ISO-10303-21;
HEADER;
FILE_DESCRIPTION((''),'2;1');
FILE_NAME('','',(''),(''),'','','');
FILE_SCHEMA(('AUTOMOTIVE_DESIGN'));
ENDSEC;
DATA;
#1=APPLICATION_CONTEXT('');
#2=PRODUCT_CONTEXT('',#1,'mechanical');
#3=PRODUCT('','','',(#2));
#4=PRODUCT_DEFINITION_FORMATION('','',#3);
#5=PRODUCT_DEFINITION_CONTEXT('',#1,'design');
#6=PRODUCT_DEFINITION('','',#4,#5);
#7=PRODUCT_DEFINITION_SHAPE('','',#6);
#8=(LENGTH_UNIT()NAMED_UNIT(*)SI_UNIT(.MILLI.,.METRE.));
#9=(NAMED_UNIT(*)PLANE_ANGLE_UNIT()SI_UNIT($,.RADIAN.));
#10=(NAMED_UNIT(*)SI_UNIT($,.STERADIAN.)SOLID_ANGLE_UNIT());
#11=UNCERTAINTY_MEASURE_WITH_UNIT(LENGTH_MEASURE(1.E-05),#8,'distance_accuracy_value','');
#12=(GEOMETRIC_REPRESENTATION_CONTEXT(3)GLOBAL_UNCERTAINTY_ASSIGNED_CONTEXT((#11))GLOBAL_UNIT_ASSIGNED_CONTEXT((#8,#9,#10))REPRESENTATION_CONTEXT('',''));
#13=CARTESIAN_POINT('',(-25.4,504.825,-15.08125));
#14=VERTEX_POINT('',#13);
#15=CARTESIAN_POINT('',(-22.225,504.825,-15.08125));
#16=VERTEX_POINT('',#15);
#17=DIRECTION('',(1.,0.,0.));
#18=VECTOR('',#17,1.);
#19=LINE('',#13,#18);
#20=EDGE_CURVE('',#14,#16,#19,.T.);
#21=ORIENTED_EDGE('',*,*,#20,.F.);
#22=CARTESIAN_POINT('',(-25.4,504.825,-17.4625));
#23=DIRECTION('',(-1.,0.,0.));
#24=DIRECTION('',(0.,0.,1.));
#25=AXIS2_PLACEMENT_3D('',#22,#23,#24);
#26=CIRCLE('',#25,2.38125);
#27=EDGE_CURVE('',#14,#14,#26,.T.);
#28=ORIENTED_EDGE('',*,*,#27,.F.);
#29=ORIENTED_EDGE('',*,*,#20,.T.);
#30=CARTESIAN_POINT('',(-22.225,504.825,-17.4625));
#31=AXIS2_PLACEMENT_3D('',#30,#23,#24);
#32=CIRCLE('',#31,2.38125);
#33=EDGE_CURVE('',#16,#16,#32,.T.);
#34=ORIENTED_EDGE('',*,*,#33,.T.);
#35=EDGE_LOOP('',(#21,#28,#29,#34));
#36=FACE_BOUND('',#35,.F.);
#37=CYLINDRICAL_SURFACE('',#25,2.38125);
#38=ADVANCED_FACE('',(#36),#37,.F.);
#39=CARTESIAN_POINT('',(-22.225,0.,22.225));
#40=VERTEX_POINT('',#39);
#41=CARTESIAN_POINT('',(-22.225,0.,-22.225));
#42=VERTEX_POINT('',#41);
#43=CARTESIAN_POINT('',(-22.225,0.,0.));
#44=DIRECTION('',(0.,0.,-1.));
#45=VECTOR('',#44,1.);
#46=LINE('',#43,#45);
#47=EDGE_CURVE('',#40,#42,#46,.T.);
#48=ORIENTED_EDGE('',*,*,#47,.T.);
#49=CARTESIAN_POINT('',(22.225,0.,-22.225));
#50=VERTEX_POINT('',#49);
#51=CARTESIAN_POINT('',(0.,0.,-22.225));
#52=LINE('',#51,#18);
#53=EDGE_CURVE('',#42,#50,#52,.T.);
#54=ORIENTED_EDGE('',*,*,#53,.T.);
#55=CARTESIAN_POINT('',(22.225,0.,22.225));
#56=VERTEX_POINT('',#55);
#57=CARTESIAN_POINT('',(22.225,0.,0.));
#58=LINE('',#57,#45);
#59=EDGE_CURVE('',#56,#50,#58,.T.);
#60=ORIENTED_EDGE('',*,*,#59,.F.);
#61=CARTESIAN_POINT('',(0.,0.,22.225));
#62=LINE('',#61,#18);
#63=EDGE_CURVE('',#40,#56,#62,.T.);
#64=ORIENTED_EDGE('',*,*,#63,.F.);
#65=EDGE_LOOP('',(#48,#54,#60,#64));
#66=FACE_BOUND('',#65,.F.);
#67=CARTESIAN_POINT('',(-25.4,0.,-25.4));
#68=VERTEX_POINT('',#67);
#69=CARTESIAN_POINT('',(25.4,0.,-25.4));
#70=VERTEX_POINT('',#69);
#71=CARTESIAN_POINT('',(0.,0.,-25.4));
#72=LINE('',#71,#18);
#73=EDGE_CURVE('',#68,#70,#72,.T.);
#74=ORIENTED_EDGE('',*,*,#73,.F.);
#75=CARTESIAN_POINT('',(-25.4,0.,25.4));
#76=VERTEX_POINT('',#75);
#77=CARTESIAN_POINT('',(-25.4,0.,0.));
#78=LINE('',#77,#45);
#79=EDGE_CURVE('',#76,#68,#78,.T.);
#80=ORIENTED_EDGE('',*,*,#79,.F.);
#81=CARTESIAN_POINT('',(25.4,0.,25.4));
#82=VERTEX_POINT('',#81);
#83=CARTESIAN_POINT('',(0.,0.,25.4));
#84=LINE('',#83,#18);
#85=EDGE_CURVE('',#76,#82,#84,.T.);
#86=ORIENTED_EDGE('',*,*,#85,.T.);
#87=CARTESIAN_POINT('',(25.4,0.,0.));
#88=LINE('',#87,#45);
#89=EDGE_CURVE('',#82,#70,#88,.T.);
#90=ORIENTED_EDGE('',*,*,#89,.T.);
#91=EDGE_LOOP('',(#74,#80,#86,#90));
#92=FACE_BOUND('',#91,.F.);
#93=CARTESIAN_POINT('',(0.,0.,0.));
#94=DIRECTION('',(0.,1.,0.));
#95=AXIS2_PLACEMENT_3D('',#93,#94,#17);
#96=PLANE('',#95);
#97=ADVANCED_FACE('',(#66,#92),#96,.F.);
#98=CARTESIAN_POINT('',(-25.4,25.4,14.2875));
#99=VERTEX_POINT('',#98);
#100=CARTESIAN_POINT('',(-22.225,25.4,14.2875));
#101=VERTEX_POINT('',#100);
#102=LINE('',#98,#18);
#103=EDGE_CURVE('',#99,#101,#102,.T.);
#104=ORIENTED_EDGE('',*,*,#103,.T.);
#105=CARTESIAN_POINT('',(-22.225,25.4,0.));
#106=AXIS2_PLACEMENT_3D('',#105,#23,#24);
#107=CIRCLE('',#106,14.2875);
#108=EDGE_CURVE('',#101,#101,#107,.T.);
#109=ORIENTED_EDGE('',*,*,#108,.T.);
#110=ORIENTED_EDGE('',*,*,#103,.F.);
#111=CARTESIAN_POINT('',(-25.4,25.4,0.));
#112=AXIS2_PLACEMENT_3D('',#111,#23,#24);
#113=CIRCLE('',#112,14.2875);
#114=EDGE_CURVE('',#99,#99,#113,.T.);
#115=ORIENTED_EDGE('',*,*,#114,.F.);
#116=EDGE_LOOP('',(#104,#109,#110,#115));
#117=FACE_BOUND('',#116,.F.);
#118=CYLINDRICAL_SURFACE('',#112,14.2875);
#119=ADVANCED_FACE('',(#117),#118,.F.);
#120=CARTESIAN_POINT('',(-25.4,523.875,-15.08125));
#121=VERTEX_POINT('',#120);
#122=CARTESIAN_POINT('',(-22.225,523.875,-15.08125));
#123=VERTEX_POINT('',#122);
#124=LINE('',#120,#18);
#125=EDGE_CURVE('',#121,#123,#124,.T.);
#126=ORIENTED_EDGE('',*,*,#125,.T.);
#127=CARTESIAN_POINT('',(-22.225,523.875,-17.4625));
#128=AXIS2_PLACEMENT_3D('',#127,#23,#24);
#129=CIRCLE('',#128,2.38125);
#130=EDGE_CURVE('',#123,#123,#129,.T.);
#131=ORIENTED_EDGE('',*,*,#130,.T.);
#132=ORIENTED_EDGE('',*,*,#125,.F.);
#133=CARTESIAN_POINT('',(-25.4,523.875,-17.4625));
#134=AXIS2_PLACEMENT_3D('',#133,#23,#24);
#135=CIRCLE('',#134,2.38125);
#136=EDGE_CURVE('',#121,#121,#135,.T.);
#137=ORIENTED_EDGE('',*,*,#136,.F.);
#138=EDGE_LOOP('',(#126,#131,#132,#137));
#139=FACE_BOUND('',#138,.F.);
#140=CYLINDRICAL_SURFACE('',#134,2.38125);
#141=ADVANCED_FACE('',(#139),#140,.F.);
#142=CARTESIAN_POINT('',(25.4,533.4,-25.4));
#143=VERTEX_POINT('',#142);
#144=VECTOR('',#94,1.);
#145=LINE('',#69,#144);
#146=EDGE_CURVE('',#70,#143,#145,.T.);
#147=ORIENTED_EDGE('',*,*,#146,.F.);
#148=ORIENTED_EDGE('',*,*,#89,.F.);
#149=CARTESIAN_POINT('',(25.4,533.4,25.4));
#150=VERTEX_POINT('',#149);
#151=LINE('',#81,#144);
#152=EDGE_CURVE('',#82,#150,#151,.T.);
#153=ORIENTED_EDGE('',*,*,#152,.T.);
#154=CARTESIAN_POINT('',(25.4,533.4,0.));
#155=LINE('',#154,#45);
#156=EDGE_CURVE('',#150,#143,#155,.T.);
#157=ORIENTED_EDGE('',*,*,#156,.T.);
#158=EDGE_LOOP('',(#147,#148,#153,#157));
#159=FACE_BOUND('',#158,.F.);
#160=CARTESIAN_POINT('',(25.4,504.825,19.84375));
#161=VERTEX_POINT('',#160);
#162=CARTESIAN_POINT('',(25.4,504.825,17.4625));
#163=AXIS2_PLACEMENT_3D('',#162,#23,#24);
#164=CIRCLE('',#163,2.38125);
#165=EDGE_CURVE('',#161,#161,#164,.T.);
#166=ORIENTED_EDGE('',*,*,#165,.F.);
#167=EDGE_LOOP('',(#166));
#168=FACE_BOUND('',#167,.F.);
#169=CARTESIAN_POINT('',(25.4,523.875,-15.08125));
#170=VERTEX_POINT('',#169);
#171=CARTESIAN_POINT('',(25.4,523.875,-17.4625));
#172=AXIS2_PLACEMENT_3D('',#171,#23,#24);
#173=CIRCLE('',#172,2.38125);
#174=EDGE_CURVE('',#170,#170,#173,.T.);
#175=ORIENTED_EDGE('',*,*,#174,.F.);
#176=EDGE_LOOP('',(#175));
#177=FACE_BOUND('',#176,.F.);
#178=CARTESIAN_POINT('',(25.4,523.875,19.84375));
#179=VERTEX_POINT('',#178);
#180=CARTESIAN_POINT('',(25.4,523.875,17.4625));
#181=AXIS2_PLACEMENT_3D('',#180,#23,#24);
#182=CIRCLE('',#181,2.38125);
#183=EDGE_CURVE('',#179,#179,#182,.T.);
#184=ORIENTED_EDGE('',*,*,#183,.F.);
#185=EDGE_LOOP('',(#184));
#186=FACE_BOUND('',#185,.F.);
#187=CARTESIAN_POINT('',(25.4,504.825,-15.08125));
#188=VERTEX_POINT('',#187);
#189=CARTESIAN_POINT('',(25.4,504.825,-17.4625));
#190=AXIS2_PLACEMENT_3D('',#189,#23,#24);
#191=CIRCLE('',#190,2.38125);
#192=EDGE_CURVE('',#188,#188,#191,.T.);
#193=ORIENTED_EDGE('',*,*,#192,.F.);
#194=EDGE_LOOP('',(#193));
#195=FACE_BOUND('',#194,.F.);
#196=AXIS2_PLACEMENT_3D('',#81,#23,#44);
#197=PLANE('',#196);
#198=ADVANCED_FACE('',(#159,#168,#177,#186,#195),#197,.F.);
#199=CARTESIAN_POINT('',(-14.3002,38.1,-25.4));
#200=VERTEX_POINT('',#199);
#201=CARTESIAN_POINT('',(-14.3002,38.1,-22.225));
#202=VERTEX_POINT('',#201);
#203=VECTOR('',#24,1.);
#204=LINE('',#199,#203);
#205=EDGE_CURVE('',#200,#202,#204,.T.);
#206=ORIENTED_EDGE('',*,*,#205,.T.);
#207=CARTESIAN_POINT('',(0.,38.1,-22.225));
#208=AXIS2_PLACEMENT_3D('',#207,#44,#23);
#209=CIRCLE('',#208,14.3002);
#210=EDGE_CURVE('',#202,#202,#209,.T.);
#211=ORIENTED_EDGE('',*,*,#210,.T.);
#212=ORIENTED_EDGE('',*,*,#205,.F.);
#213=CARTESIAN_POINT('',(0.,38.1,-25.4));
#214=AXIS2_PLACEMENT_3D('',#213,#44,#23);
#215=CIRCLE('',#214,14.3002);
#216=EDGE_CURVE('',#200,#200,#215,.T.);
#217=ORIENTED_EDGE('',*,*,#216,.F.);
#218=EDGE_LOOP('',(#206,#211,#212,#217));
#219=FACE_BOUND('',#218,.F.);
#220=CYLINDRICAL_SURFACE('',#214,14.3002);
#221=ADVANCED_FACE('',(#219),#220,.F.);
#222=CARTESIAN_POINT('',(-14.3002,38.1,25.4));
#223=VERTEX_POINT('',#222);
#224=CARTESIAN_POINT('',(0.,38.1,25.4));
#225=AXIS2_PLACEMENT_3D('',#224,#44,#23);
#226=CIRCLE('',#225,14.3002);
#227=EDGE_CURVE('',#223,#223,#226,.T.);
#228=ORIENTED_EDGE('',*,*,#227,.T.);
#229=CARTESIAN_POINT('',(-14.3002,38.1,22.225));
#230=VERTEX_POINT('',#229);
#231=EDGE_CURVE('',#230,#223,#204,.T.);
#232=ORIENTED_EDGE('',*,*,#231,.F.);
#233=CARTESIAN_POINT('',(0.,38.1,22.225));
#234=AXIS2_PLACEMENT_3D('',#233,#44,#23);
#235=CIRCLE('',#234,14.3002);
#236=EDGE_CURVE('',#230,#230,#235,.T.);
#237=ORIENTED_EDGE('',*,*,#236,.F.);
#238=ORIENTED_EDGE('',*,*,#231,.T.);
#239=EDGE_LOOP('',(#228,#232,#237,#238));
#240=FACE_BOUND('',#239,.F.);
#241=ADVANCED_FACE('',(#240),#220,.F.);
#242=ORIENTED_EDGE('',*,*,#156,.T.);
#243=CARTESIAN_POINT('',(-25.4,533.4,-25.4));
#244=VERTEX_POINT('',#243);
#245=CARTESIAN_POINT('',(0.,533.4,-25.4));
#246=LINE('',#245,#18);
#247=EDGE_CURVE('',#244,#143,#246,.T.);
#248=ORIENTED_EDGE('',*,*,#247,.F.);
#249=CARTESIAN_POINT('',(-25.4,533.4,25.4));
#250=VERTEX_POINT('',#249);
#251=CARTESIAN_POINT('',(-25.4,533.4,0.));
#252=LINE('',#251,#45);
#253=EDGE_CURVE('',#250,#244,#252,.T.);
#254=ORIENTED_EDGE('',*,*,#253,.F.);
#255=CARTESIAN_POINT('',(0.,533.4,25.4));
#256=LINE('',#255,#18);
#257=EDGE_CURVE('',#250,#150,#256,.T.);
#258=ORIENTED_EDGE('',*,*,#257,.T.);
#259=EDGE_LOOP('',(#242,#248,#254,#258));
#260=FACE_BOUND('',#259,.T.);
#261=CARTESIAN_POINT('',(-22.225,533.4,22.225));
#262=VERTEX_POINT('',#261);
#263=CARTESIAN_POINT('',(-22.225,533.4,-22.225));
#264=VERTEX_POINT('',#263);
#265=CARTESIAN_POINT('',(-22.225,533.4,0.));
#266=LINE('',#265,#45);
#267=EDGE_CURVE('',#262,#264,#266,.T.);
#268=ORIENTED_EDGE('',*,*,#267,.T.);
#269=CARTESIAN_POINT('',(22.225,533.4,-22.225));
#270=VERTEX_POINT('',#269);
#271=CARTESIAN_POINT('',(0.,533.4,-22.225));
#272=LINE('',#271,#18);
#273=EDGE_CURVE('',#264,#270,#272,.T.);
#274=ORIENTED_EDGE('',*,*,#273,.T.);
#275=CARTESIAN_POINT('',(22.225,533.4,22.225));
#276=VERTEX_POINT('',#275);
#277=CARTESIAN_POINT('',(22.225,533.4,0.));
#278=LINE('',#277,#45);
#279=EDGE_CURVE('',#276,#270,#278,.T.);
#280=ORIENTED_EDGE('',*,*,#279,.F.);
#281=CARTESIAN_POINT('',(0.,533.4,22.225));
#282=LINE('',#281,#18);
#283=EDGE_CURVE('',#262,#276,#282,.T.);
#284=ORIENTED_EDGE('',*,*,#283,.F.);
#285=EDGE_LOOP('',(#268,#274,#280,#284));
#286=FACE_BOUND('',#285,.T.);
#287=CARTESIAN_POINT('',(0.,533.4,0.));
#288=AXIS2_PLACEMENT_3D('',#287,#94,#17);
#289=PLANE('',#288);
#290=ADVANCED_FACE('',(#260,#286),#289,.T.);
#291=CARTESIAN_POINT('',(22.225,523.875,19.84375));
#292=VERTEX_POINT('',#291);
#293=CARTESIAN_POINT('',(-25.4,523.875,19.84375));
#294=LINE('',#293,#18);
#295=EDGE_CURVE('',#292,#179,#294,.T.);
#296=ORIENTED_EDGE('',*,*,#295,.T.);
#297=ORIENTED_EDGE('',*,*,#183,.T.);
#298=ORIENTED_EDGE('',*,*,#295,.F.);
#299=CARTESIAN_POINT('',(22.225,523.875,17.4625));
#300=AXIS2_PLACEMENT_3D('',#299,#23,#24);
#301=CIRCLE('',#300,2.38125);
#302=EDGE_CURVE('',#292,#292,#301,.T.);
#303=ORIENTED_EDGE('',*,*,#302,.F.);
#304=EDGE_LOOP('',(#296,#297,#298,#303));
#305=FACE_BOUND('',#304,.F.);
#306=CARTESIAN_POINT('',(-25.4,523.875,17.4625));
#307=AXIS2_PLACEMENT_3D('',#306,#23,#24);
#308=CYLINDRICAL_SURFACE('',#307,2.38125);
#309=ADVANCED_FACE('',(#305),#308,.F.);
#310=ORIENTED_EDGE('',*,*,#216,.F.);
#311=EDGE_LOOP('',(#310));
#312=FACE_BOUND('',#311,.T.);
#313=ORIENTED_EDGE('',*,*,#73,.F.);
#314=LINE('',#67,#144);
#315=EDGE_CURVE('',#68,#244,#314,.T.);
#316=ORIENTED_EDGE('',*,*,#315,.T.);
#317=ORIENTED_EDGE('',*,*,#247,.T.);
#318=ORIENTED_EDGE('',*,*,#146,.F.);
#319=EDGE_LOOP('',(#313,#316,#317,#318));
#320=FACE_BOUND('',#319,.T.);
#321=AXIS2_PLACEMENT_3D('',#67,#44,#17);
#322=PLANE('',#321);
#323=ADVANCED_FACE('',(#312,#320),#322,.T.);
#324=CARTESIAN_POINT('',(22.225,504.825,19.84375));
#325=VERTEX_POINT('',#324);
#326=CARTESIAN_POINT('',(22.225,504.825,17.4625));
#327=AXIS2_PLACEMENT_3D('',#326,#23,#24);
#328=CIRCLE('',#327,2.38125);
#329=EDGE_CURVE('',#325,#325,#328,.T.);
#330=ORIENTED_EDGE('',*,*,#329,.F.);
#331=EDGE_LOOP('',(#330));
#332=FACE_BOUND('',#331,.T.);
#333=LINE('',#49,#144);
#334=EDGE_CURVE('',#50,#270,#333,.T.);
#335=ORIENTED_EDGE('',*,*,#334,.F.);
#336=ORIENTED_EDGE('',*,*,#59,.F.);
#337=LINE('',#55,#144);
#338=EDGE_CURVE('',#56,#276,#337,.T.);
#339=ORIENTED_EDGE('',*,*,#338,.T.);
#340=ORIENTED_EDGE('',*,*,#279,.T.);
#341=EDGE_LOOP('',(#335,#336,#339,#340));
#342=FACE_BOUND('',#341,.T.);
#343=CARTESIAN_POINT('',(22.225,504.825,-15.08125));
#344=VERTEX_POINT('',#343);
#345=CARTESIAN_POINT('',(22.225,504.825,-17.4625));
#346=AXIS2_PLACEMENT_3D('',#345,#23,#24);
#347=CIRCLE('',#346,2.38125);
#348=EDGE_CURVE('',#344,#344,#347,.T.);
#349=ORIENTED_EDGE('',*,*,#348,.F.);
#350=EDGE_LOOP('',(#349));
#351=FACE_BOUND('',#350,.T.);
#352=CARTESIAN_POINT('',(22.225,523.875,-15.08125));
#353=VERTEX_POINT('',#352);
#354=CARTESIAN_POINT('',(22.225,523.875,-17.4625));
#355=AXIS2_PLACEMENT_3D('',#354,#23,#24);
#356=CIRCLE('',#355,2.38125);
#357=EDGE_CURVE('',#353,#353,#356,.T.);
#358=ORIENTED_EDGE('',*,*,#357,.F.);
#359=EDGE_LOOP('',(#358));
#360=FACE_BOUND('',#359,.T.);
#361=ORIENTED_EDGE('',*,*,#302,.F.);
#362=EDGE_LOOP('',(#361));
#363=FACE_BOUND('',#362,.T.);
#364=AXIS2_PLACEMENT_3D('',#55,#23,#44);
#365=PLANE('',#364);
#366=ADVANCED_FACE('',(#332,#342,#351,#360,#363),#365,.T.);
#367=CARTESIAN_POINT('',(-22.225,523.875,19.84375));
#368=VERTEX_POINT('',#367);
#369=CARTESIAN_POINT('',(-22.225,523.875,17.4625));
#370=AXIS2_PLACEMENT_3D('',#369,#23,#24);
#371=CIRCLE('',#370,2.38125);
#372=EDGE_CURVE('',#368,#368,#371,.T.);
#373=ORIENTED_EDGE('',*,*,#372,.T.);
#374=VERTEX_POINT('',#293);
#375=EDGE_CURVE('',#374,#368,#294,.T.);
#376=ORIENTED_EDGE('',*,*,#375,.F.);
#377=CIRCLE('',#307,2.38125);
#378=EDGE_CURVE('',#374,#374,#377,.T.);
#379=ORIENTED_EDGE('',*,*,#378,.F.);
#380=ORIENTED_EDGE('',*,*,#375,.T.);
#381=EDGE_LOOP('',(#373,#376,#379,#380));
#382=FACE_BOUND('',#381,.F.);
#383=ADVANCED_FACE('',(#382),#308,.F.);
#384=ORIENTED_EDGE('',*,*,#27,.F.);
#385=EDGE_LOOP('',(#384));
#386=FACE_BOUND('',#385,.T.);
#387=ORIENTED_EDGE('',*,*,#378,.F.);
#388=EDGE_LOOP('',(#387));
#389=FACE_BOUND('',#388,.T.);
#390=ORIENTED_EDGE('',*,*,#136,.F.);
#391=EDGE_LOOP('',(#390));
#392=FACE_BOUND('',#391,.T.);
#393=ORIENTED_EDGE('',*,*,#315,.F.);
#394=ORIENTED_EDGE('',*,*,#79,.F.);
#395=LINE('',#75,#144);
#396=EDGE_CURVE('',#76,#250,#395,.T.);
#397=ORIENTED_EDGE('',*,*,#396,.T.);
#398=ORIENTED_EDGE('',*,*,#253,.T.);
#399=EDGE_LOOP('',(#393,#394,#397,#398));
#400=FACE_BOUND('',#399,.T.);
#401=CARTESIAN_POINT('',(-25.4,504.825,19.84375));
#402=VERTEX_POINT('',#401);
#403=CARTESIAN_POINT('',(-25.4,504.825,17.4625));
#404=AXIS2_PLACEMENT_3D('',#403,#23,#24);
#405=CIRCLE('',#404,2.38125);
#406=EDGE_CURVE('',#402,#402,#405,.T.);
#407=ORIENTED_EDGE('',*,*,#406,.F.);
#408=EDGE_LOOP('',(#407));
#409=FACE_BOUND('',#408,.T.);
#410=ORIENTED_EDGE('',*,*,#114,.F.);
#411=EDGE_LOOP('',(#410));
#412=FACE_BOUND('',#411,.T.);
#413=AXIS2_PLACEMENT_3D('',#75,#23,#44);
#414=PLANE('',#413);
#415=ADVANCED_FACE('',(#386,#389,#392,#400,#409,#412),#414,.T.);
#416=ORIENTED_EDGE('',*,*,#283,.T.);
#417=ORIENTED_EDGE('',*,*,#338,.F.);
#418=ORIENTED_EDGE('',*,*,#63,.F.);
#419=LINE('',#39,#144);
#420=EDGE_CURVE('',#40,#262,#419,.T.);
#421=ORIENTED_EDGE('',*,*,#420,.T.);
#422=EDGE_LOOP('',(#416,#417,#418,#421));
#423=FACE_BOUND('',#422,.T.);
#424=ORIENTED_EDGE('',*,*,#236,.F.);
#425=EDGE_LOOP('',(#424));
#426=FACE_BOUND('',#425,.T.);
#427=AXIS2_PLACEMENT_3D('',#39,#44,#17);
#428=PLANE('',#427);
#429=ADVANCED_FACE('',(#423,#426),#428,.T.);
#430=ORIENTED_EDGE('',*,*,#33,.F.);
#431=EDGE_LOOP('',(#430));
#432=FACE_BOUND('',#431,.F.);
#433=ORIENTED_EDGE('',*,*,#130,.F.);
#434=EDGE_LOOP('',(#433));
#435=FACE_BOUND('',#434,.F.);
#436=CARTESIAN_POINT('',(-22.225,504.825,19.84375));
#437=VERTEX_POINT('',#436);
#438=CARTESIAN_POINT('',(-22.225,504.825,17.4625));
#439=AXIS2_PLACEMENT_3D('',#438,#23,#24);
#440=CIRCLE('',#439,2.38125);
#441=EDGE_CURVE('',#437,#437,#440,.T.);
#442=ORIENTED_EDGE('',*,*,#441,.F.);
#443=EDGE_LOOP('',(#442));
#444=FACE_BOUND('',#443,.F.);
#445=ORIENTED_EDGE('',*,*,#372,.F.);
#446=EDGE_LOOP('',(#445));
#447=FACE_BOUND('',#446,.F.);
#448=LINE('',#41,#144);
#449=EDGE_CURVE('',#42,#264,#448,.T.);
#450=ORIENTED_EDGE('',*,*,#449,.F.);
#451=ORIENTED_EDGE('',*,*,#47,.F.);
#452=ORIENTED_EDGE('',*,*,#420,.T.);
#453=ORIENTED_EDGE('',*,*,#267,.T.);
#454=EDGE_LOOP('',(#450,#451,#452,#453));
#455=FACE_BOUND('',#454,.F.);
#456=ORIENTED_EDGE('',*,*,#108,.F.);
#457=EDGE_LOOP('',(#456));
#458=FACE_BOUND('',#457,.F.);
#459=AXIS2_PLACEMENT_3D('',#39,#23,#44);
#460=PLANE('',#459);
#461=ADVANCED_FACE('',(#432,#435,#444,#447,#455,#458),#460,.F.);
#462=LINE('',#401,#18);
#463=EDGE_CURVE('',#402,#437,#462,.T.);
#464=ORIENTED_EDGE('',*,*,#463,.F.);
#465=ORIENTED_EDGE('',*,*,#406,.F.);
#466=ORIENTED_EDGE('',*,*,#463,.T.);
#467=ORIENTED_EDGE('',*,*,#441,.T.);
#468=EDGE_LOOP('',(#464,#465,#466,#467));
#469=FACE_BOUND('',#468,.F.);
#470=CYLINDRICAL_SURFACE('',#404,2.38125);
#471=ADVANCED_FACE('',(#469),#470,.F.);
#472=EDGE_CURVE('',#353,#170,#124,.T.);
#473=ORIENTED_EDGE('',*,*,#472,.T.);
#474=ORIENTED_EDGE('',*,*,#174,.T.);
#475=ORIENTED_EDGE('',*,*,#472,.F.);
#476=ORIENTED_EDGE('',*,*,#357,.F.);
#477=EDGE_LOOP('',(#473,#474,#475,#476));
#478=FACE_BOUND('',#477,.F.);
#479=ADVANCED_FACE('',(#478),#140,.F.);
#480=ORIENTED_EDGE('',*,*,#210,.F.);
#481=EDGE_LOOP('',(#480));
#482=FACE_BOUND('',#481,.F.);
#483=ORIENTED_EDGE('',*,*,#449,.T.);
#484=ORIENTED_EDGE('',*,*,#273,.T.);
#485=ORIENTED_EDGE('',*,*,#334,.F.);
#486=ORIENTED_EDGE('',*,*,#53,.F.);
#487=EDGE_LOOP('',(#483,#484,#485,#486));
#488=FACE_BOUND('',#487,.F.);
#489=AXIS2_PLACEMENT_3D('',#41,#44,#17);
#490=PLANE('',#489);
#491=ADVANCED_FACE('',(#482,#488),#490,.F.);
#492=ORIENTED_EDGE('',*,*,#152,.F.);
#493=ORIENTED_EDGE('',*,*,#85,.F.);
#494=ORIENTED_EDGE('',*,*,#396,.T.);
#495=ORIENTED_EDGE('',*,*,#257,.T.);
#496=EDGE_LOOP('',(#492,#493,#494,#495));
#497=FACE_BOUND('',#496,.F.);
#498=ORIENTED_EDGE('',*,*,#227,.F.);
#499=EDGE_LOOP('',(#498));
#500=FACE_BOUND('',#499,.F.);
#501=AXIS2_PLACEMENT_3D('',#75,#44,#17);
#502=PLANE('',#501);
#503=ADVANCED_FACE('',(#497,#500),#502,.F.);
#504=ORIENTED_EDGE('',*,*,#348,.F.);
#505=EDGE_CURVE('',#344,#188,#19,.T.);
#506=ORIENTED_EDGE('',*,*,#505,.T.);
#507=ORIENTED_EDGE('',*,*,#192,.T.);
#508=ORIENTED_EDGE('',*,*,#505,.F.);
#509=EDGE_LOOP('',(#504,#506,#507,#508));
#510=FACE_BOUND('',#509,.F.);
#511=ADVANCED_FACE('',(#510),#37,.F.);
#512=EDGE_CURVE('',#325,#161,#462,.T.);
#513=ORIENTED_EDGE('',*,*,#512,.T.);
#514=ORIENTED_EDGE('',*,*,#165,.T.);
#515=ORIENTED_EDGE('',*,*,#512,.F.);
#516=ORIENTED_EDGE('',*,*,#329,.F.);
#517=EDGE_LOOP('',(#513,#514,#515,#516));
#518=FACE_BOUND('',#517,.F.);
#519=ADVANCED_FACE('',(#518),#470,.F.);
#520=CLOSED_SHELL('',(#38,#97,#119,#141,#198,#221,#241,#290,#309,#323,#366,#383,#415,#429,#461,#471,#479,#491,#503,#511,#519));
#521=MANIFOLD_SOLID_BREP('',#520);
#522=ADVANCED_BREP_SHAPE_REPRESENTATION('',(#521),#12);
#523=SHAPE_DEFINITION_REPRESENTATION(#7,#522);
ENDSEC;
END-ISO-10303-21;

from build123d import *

# Parameters (mm, degrees)
SKETCH1_W           = 50.8
SKETCH1_H           = 50.8
SKETCH1_W_2         = 44.45
SKETCH1_H_2         = 44.45
BOSS_EXTRUDE1_DEPTH = 533.4
SKETCH2_R           = 14.2875
CUT_EXTRUDE1_DEPTH  = 3.175
SKETCH3_R           = 14.3002
CUT_EXTRUDE2_DEPTH  = 537.415286881
SKETCH4_R           = 2.38125
CUT_EXTRUDE3_DEPTH  = 537.415286881


with BuildPart() as part:
    # Sketch1 → Boss-Extrude1 (new body)
    with BuildSketch(Plane(origin=(0, 0, 0), x_dir=(1, 0, 0), z_dir=(0, 1, 0))):
        Rectangle(SKETCH1_W, SKETCH1_H)
        Rectangle(SKETCH1_W_2, SKETCH1_H_2, mode=Mode.SUBTRACT)
    extrude(amount=BOSS_EXTRUDE1_DEPTH)

    # Sketch2 → Cut-Extrude1 (cut)
    with BuildSketch(Plane.ZY.offset(25.4)):
        with Locations((0, 25.4)):
            Circle(SKETCH2_R)
    extrude(amount=-CUT_EXTRUDE1_DEPTH, mode=Mode.SUBTRACT)

    # Sketch3 → Cut-Extrude2 (cut, through all)
    with BuildSketch(Plane(origin=(0, 0, -25.4), x_dir=(-1, 0, 0), z_dir=(0, 0, -1))):
        with Locations((0, 38.1)):
            Circle(SKETCH3_R)
    extrude(amount=-CUT_EXTRUDE2_DEPTH, mode=Mode.SUBTRACT)

    # Sketch4 → Cut-Extrude3 (cut, through all)
    with BuildSketch(Plane.ZY.offset(25.4)):
        with Locations((17.4625, 523.875)):
            Circle(SKETCH4_R)
        with Locations((17.4625, 504.825)):
            Circle(SKETCH4_R)
        with Locations((-17.4625, 504.825)):
            Circle(SKETCH4_R)
        with Locations((-17.4625, 523.875)):
            Circle(SKETCH4_R)
    extrude(amount=-CUT_EXTRUDE3_DEPTH, mode=Mode.SUBTRACT)


solid = part.part
